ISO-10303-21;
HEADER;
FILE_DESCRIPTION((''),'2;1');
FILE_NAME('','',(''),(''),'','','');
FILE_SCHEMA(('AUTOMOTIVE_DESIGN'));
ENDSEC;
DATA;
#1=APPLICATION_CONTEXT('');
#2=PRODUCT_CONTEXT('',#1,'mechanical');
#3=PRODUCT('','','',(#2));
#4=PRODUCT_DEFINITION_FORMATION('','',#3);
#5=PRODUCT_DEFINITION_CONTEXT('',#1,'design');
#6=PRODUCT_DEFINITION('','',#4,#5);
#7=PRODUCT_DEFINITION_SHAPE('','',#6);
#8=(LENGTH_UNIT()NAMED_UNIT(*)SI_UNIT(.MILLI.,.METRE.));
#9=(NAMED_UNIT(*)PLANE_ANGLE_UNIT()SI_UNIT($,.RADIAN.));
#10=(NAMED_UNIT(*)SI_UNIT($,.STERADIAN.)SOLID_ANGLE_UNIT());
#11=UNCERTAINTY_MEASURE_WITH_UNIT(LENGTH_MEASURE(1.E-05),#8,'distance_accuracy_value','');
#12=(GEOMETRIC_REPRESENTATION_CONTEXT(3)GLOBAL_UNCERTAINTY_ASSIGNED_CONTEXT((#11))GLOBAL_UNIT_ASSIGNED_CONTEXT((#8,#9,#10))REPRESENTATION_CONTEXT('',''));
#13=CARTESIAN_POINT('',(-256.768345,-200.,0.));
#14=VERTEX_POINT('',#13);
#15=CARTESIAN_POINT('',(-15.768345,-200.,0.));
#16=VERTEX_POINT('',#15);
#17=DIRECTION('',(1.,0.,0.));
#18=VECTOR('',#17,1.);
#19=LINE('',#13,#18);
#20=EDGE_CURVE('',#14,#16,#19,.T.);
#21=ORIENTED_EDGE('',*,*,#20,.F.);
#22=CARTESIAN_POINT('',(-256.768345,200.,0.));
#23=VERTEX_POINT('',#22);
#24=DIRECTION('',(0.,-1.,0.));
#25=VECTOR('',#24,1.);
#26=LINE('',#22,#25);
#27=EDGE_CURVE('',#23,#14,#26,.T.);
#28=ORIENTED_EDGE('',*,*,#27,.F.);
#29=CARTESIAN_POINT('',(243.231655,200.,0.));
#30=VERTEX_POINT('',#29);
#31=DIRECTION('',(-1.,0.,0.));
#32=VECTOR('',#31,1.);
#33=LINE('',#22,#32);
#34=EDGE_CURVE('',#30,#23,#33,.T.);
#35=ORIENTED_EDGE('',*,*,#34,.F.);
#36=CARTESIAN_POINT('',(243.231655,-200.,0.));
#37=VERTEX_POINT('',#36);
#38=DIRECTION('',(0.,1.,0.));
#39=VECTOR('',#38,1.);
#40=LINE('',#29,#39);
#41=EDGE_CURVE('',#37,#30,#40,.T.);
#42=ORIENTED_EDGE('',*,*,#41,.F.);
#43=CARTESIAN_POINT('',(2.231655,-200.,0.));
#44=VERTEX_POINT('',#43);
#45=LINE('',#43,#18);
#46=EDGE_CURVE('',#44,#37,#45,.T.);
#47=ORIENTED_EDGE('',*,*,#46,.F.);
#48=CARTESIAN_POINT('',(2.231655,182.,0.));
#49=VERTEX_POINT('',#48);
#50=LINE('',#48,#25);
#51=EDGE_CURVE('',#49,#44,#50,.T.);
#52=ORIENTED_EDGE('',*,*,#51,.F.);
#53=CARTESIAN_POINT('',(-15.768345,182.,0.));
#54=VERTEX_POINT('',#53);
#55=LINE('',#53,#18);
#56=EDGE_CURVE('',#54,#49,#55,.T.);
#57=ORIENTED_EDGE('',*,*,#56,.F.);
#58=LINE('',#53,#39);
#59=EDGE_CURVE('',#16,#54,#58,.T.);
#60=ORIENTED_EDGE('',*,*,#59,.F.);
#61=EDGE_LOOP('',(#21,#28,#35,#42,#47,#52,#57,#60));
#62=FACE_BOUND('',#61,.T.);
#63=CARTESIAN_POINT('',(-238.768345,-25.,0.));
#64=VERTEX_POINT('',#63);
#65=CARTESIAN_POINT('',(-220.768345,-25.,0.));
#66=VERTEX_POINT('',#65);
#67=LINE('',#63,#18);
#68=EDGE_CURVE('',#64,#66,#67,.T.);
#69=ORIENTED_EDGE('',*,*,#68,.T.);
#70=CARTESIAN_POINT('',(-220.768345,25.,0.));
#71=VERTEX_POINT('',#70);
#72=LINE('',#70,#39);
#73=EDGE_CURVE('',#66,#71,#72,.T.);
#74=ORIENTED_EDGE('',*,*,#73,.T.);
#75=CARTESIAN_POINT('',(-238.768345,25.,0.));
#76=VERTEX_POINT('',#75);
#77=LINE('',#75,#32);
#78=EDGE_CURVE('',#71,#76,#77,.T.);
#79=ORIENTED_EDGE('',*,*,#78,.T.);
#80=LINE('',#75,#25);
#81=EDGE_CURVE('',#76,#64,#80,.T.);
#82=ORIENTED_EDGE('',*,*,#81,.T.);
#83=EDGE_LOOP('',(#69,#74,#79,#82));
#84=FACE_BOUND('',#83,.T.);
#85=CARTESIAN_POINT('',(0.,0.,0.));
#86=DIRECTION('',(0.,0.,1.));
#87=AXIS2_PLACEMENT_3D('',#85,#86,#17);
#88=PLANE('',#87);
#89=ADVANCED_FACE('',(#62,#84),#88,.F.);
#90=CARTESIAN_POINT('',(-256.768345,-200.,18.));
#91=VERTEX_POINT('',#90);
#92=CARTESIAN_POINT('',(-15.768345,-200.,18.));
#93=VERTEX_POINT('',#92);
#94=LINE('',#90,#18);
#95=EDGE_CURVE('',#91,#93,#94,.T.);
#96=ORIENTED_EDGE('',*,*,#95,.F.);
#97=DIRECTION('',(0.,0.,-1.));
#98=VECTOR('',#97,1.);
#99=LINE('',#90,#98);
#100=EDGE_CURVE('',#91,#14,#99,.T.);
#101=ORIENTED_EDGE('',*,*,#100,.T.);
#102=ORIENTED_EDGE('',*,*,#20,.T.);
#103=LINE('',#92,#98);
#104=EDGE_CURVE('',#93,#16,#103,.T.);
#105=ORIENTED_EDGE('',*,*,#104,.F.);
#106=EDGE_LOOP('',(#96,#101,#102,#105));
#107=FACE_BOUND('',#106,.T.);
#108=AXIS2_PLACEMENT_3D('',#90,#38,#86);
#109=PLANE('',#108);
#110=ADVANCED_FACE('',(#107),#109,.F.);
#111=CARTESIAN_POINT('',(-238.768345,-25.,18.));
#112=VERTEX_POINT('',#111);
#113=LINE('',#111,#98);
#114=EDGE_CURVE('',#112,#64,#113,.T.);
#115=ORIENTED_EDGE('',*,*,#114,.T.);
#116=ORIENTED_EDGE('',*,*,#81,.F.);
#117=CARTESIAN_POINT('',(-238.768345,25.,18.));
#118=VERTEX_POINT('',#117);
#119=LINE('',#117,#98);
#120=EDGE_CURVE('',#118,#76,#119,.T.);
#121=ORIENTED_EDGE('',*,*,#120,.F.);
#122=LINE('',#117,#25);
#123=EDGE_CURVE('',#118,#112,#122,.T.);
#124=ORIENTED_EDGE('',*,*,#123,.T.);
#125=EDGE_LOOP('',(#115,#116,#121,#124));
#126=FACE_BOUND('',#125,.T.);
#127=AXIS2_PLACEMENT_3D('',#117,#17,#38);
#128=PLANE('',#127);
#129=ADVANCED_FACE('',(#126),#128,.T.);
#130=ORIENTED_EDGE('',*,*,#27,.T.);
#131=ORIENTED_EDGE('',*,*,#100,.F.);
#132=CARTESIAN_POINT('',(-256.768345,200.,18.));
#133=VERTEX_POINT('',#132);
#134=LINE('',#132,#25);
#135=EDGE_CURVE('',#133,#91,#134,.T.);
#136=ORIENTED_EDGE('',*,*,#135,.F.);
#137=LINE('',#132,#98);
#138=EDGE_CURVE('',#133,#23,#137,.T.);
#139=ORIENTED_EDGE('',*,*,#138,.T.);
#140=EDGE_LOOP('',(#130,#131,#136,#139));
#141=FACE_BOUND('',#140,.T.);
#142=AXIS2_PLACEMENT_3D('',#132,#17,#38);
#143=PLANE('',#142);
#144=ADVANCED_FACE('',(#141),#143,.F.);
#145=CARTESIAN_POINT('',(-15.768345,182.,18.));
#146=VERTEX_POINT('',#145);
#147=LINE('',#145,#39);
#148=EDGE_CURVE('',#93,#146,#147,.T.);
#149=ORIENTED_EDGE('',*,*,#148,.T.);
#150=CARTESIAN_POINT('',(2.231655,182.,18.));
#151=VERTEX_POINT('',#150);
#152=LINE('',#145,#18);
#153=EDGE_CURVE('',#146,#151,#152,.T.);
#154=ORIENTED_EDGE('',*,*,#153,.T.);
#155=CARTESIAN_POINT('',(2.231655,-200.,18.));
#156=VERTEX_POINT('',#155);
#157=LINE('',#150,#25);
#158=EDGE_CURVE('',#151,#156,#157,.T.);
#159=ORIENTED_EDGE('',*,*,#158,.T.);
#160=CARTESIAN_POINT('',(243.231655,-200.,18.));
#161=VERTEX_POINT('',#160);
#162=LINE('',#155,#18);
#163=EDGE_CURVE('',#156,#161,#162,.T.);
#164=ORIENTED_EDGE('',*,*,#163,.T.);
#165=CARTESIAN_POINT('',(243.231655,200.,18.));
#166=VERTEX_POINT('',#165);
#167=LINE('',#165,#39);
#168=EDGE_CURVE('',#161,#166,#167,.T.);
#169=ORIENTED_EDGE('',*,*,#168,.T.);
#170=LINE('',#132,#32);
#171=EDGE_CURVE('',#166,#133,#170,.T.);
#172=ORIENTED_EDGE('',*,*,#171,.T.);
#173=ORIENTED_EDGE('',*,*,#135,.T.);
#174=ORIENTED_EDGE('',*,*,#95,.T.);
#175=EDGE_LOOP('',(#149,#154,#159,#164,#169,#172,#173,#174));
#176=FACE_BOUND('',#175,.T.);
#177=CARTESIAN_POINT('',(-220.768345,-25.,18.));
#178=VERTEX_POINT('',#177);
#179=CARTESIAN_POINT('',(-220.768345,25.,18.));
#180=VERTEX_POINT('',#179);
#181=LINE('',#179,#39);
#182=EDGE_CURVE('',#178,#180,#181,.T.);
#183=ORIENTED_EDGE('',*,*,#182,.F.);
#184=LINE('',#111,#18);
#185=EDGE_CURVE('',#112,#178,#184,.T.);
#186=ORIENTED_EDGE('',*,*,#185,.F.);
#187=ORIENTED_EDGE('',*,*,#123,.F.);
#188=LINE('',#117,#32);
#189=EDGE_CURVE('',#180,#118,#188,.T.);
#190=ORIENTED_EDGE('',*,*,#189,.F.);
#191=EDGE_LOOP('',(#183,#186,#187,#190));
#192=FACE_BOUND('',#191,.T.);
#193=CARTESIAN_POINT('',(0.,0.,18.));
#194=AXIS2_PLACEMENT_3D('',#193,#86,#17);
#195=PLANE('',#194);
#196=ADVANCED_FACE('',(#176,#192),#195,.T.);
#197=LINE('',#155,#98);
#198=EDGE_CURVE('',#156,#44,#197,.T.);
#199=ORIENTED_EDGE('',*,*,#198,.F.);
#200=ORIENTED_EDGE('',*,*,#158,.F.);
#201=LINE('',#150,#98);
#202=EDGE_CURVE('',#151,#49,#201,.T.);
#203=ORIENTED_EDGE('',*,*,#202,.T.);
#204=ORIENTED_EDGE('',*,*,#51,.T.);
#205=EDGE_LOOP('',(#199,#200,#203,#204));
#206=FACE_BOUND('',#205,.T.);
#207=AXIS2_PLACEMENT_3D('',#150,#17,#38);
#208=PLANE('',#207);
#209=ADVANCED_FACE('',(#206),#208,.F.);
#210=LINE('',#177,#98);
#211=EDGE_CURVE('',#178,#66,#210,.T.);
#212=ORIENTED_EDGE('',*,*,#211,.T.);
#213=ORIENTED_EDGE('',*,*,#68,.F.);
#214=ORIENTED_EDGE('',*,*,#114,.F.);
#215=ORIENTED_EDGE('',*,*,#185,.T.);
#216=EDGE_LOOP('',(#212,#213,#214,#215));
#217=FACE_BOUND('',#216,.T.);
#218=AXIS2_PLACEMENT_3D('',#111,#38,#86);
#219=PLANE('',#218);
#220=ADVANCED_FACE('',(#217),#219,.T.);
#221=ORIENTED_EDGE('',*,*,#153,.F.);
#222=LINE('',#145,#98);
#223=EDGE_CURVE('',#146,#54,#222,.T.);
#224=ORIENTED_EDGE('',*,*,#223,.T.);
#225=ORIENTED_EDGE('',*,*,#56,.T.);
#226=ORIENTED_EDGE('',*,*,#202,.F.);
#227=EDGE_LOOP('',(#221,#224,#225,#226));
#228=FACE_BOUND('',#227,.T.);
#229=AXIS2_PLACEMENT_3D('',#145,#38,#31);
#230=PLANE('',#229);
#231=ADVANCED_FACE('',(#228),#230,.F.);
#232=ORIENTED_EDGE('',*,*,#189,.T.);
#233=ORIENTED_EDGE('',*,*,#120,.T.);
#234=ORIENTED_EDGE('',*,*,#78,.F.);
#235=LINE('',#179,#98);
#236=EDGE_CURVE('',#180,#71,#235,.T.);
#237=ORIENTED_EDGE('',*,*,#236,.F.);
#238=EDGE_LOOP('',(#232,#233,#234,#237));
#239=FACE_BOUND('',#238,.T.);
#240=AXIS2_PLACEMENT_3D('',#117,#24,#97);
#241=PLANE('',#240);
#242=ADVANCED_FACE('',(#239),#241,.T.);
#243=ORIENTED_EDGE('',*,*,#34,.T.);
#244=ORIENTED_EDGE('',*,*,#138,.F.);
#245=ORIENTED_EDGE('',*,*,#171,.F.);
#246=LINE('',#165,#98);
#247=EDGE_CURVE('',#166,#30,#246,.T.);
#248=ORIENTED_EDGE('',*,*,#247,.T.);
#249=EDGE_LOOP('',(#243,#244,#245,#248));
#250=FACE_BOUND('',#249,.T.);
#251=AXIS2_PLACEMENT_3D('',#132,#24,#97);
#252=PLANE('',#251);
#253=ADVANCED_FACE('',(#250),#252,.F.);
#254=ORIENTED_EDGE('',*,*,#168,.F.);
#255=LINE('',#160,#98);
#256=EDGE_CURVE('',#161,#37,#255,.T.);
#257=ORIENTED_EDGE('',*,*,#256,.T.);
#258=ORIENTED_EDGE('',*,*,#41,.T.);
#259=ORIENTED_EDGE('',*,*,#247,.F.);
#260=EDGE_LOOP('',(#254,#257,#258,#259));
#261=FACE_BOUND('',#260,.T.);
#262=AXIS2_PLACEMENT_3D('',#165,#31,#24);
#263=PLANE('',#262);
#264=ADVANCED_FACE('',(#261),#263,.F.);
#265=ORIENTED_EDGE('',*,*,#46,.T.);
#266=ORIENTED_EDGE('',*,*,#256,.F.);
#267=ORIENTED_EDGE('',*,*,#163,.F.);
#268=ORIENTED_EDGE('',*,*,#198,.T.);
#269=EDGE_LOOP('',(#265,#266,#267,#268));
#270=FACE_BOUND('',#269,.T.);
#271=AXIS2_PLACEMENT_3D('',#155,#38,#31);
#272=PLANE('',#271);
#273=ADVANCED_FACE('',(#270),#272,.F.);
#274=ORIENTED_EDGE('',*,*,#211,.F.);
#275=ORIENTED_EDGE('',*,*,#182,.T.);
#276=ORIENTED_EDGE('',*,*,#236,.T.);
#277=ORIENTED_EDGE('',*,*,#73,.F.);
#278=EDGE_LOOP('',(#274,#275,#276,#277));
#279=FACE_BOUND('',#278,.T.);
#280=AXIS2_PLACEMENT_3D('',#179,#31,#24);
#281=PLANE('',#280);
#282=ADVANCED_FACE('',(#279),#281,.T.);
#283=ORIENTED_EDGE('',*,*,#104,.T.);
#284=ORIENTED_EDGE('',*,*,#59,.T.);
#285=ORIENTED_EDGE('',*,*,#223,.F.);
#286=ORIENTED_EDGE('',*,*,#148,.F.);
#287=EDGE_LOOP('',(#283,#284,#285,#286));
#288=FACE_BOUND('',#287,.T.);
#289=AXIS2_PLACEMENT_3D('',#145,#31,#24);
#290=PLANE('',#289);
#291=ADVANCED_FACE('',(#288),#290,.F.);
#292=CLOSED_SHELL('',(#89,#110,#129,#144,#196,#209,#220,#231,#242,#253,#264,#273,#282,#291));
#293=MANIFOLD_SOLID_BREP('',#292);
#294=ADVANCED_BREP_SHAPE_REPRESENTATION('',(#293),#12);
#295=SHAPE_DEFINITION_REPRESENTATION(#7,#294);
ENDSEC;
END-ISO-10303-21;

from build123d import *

# Parameters (mm, degrees)
SKETCH1_W           = 18
SKETCH1_H           = 50
BOSS_EXTRUDE1_DEPTH = 18


with BuildPart() as part:
    # Sketch1 → Boss-Extrude1 (new body)
    with BuildSketch(Plane.XY):
        Polygon((2.231655058, -200), (243.231655058, -200), (243.231655058, 200), (-256.768344942, 200), (-256.768344942, -200), (-15.768344942, -200), (-15.768344942, 182), (2.231655058, 182), align=None)
        with Locations((-229.768344942, 0)):
            Rectangle(SKETCH1_W, SKETCH1_H, mode=Mode.SUBTRACT)
    extrude(amount=BOSS_EXTRUDE1_DEPTH)


solid = part.part
